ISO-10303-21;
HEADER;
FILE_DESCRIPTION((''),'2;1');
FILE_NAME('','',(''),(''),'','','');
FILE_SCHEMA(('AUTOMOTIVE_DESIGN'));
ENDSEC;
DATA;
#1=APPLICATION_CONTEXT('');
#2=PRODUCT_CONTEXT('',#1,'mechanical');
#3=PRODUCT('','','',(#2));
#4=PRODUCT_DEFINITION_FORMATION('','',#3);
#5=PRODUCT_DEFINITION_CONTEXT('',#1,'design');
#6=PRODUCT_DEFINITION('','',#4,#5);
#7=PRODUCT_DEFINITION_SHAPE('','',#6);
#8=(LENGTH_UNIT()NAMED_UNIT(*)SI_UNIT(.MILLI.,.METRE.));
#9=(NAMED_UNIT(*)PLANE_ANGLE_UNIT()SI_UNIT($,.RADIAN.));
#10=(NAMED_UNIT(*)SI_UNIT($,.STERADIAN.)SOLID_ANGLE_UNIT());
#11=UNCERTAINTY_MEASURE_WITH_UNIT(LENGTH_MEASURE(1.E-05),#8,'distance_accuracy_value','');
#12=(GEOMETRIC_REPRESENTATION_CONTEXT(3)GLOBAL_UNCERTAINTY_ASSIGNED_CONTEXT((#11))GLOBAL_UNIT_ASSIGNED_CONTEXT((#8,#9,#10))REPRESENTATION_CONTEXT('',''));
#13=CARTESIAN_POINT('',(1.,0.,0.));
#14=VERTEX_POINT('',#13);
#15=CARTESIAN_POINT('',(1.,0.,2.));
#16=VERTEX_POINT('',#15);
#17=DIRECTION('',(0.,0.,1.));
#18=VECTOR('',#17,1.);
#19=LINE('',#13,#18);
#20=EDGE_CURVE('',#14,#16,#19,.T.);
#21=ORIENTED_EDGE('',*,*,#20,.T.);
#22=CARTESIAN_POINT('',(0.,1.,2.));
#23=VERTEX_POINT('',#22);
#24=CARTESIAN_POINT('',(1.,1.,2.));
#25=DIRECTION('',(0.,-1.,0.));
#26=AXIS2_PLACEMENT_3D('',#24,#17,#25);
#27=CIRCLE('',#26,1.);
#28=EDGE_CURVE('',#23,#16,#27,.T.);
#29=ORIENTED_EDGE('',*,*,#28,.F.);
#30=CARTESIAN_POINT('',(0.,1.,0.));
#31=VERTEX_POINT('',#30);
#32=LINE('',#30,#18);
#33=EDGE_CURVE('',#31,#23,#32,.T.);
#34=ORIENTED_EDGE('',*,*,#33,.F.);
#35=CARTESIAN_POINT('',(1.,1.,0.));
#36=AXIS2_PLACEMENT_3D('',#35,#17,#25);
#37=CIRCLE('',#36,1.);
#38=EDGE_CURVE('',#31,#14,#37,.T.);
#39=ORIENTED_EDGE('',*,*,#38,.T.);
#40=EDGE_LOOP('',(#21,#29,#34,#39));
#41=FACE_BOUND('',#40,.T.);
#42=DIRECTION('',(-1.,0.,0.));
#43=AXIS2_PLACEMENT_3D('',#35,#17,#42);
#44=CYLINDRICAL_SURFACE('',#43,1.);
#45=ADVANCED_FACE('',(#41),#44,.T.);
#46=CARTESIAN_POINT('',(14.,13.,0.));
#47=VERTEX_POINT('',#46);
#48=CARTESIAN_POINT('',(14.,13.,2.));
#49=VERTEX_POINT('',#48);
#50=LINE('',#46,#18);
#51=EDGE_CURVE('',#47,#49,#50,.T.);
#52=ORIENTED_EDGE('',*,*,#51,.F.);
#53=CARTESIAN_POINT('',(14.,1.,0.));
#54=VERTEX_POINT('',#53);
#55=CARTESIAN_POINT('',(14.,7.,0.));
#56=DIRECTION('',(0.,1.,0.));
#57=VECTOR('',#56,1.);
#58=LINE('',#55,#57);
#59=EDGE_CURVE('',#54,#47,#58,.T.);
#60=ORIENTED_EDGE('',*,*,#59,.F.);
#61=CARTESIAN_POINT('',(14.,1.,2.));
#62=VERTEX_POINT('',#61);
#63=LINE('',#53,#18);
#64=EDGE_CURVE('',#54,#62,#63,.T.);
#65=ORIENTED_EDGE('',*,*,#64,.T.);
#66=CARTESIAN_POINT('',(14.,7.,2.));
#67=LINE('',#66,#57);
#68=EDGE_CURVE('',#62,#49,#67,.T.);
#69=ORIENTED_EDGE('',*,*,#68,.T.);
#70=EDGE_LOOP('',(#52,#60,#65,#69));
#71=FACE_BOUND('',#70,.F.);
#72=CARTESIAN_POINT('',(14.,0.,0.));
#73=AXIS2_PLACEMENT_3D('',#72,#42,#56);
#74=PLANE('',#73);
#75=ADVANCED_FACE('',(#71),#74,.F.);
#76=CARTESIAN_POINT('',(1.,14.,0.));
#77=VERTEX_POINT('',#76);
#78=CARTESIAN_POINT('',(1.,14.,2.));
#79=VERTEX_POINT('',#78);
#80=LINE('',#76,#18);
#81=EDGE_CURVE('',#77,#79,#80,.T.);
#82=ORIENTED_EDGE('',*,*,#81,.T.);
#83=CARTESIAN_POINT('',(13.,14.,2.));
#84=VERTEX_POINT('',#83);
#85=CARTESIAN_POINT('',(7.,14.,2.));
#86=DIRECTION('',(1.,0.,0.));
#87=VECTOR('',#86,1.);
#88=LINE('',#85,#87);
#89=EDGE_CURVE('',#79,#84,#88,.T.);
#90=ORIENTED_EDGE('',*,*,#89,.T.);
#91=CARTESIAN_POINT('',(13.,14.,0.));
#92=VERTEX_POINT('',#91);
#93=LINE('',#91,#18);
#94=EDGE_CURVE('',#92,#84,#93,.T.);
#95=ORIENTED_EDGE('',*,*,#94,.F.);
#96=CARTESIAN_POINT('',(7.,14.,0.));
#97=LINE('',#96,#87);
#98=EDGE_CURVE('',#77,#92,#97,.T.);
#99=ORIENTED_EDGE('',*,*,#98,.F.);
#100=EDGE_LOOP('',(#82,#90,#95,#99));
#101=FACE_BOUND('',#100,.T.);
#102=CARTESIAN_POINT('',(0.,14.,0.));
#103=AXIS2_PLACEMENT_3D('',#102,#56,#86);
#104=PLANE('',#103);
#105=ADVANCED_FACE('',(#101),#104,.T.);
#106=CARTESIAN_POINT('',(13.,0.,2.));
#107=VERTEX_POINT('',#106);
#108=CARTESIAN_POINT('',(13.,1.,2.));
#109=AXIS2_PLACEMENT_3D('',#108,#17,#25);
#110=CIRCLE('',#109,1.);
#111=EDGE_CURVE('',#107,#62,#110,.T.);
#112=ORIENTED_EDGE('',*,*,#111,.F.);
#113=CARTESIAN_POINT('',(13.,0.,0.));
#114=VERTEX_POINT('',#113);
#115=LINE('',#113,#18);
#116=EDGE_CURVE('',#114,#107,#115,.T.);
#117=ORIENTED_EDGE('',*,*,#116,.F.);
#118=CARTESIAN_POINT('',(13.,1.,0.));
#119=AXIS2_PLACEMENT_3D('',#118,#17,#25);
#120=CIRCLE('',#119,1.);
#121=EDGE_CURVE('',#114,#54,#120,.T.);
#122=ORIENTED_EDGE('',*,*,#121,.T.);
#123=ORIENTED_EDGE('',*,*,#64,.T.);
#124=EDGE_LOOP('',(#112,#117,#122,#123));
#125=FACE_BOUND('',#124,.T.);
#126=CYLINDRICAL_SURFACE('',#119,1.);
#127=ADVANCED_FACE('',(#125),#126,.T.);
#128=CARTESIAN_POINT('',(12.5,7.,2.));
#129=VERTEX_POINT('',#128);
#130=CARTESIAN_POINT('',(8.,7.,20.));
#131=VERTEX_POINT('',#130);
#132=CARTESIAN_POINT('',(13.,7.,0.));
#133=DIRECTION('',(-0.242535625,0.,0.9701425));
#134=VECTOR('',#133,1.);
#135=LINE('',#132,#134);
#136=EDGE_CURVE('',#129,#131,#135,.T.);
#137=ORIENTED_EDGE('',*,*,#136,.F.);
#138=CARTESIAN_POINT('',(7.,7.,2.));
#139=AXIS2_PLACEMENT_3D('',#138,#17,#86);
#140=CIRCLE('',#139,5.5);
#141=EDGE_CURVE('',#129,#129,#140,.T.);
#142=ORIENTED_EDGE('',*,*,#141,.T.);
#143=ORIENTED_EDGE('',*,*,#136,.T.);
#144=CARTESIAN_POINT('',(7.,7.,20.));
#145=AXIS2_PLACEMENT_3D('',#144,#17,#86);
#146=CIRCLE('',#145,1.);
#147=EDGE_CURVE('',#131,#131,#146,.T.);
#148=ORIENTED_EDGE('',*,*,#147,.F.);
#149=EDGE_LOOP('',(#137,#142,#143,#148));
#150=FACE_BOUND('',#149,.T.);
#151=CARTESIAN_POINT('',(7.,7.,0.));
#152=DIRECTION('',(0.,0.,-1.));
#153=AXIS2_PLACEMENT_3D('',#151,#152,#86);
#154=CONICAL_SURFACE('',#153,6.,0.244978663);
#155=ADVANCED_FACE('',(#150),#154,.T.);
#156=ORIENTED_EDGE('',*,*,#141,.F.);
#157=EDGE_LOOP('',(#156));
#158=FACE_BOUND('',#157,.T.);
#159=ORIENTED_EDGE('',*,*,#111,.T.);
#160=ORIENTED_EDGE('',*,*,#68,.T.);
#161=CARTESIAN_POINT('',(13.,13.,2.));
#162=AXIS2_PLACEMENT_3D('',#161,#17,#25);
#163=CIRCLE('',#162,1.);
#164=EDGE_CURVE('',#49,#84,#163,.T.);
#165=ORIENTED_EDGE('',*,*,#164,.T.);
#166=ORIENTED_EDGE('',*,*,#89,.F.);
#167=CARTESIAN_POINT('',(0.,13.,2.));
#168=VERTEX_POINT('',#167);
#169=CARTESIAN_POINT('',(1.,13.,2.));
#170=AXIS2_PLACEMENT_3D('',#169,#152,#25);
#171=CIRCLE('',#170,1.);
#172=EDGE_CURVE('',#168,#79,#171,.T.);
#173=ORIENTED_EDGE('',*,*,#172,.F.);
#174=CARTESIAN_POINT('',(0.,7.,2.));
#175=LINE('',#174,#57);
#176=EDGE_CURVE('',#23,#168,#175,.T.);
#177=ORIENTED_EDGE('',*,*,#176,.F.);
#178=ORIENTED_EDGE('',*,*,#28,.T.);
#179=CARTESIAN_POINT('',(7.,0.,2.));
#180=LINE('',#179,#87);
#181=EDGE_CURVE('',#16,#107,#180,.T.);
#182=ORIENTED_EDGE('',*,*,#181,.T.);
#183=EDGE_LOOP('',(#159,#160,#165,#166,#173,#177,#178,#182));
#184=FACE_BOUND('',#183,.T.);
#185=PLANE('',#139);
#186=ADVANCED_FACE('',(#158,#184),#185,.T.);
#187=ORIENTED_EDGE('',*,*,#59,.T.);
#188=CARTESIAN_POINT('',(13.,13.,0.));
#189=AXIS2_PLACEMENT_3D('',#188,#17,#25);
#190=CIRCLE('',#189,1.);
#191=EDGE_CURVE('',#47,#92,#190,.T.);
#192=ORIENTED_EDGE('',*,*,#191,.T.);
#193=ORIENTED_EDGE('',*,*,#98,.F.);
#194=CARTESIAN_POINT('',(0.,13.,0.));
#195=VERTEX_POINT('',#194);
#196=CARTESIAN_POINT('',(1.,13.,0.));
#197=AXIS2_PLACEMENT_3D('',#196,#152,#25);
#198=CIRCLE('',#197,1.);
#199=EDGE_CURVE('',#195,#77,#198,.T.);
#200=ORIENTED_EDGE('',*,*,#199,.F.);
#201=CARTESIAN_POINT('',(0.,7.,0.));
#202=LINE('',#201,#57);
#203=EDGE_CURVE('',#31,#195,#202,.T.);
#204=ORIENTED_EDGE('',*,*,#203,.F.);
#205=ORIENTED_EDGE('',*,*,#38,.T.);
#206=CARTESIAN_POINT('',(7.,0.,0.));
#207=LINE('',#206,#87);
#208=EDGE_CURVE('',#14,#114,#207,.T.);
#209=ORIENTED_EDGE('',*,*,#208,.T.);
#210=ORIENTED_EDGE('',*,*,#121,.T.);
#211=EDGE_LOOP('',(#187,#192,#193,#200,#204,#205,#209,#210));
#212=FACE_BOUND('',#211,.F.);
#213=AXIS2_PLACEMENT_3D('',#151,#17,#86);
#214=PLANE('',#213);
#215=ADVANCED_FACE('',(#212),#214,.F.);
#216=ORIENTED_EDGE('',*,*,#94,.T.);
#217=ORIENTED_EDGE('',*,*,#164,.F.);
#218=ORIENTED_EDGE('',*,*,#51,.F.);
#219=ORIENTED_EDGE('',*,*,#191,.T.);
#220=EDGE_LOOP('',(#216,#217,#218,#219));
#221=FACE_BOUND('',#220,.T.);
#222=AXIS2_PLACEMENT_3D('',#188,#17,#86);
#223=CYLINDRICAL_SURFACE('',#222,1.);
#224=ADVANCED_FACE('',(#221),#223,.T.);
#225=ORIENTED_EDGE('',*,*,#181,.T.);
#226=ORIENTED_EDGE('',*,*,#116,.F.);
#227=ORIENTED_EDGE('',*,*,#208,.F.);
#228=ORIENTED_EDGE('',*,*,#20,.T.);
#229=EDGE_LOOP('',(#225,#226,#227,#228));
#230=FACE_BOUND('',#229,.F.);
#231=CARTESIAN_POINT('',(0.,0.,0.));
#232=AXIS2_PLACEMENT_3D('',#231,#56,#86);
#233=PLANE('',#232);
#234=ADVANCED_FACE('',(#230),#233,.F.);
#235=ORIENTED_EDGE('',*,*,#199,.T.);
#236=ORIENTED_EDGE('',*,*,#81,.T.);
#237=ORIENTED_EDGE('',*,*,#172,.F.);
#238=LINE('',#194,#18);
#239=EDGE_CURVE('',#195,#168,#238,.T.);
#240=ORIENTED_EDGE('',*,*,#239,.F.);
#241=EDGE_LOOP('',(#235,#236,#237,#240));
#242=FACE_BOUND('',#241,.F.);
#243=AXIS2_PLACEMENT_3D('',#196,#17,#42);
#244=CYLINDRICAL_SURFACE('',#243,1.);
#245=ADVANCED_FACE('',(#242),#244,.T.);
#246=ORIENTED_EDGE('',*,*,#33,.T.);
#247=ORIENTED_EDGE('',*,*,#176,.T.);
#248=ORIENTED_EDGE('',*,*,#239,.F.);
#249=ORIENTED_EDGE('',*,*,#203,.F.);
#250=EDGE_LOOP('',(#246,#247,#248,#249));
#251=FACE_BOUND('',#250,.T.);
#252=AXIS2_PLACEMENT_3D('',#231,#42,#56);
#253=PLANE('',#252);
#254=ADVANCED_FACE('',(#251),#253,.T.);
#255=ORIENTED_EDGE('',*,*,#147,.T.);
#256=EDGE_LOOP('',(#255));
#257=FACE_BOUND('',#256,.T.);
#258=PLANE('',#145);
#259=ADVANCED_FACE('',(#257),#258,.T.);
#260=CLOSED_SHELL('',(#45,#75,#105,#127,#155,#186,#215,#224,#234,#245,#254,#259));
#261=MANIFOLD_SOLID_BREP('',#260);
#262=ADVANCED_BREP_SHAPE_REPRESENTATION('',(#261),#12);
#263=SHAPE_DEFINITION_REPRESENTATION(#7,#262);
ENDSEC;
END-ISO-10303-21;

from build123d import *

# Parameters (mm, degrees)
BOX_W     = 14
BOX_H     = 14
BOX_DEPTH = 2
FILLET_R  = 1


with BuildPart() as fillet_body:
    # Box → Box (new body)
    with BuildSketch(Plane.XY):
        with Locations((7, 7)):
            Rectangle(BOX_W, BOX_H)
    extrude(amount=BOX_DEPTH)

    # Fillet
    fillet_edges = [fillet_body.edges().sort_by_distance(p)[0] for p in [
        (0, 0, 1),
        (0, 14, 1),
        (14, 0, 1),
        (14, 14, 1),
    ]]
    fillet(fillet_edges, radius=FILLET_R)


with BuildPart() as fusion:
    # Cone → Cone (revolve)
    with BuildSketch(Plane(origin=(7, 7, 0), x_dir=(1, 0, 0), z_dir=(0, -1, 0))):
        Polygon((0, 0), (6, 0), (1, 20), (0, 20), align=None)
    revolve(axis=Axis((7, 7, 0), (0, 0, 1)))

    # Fusion: union Fillet body
    add(fillet_body.part)


solid = fusion.part
